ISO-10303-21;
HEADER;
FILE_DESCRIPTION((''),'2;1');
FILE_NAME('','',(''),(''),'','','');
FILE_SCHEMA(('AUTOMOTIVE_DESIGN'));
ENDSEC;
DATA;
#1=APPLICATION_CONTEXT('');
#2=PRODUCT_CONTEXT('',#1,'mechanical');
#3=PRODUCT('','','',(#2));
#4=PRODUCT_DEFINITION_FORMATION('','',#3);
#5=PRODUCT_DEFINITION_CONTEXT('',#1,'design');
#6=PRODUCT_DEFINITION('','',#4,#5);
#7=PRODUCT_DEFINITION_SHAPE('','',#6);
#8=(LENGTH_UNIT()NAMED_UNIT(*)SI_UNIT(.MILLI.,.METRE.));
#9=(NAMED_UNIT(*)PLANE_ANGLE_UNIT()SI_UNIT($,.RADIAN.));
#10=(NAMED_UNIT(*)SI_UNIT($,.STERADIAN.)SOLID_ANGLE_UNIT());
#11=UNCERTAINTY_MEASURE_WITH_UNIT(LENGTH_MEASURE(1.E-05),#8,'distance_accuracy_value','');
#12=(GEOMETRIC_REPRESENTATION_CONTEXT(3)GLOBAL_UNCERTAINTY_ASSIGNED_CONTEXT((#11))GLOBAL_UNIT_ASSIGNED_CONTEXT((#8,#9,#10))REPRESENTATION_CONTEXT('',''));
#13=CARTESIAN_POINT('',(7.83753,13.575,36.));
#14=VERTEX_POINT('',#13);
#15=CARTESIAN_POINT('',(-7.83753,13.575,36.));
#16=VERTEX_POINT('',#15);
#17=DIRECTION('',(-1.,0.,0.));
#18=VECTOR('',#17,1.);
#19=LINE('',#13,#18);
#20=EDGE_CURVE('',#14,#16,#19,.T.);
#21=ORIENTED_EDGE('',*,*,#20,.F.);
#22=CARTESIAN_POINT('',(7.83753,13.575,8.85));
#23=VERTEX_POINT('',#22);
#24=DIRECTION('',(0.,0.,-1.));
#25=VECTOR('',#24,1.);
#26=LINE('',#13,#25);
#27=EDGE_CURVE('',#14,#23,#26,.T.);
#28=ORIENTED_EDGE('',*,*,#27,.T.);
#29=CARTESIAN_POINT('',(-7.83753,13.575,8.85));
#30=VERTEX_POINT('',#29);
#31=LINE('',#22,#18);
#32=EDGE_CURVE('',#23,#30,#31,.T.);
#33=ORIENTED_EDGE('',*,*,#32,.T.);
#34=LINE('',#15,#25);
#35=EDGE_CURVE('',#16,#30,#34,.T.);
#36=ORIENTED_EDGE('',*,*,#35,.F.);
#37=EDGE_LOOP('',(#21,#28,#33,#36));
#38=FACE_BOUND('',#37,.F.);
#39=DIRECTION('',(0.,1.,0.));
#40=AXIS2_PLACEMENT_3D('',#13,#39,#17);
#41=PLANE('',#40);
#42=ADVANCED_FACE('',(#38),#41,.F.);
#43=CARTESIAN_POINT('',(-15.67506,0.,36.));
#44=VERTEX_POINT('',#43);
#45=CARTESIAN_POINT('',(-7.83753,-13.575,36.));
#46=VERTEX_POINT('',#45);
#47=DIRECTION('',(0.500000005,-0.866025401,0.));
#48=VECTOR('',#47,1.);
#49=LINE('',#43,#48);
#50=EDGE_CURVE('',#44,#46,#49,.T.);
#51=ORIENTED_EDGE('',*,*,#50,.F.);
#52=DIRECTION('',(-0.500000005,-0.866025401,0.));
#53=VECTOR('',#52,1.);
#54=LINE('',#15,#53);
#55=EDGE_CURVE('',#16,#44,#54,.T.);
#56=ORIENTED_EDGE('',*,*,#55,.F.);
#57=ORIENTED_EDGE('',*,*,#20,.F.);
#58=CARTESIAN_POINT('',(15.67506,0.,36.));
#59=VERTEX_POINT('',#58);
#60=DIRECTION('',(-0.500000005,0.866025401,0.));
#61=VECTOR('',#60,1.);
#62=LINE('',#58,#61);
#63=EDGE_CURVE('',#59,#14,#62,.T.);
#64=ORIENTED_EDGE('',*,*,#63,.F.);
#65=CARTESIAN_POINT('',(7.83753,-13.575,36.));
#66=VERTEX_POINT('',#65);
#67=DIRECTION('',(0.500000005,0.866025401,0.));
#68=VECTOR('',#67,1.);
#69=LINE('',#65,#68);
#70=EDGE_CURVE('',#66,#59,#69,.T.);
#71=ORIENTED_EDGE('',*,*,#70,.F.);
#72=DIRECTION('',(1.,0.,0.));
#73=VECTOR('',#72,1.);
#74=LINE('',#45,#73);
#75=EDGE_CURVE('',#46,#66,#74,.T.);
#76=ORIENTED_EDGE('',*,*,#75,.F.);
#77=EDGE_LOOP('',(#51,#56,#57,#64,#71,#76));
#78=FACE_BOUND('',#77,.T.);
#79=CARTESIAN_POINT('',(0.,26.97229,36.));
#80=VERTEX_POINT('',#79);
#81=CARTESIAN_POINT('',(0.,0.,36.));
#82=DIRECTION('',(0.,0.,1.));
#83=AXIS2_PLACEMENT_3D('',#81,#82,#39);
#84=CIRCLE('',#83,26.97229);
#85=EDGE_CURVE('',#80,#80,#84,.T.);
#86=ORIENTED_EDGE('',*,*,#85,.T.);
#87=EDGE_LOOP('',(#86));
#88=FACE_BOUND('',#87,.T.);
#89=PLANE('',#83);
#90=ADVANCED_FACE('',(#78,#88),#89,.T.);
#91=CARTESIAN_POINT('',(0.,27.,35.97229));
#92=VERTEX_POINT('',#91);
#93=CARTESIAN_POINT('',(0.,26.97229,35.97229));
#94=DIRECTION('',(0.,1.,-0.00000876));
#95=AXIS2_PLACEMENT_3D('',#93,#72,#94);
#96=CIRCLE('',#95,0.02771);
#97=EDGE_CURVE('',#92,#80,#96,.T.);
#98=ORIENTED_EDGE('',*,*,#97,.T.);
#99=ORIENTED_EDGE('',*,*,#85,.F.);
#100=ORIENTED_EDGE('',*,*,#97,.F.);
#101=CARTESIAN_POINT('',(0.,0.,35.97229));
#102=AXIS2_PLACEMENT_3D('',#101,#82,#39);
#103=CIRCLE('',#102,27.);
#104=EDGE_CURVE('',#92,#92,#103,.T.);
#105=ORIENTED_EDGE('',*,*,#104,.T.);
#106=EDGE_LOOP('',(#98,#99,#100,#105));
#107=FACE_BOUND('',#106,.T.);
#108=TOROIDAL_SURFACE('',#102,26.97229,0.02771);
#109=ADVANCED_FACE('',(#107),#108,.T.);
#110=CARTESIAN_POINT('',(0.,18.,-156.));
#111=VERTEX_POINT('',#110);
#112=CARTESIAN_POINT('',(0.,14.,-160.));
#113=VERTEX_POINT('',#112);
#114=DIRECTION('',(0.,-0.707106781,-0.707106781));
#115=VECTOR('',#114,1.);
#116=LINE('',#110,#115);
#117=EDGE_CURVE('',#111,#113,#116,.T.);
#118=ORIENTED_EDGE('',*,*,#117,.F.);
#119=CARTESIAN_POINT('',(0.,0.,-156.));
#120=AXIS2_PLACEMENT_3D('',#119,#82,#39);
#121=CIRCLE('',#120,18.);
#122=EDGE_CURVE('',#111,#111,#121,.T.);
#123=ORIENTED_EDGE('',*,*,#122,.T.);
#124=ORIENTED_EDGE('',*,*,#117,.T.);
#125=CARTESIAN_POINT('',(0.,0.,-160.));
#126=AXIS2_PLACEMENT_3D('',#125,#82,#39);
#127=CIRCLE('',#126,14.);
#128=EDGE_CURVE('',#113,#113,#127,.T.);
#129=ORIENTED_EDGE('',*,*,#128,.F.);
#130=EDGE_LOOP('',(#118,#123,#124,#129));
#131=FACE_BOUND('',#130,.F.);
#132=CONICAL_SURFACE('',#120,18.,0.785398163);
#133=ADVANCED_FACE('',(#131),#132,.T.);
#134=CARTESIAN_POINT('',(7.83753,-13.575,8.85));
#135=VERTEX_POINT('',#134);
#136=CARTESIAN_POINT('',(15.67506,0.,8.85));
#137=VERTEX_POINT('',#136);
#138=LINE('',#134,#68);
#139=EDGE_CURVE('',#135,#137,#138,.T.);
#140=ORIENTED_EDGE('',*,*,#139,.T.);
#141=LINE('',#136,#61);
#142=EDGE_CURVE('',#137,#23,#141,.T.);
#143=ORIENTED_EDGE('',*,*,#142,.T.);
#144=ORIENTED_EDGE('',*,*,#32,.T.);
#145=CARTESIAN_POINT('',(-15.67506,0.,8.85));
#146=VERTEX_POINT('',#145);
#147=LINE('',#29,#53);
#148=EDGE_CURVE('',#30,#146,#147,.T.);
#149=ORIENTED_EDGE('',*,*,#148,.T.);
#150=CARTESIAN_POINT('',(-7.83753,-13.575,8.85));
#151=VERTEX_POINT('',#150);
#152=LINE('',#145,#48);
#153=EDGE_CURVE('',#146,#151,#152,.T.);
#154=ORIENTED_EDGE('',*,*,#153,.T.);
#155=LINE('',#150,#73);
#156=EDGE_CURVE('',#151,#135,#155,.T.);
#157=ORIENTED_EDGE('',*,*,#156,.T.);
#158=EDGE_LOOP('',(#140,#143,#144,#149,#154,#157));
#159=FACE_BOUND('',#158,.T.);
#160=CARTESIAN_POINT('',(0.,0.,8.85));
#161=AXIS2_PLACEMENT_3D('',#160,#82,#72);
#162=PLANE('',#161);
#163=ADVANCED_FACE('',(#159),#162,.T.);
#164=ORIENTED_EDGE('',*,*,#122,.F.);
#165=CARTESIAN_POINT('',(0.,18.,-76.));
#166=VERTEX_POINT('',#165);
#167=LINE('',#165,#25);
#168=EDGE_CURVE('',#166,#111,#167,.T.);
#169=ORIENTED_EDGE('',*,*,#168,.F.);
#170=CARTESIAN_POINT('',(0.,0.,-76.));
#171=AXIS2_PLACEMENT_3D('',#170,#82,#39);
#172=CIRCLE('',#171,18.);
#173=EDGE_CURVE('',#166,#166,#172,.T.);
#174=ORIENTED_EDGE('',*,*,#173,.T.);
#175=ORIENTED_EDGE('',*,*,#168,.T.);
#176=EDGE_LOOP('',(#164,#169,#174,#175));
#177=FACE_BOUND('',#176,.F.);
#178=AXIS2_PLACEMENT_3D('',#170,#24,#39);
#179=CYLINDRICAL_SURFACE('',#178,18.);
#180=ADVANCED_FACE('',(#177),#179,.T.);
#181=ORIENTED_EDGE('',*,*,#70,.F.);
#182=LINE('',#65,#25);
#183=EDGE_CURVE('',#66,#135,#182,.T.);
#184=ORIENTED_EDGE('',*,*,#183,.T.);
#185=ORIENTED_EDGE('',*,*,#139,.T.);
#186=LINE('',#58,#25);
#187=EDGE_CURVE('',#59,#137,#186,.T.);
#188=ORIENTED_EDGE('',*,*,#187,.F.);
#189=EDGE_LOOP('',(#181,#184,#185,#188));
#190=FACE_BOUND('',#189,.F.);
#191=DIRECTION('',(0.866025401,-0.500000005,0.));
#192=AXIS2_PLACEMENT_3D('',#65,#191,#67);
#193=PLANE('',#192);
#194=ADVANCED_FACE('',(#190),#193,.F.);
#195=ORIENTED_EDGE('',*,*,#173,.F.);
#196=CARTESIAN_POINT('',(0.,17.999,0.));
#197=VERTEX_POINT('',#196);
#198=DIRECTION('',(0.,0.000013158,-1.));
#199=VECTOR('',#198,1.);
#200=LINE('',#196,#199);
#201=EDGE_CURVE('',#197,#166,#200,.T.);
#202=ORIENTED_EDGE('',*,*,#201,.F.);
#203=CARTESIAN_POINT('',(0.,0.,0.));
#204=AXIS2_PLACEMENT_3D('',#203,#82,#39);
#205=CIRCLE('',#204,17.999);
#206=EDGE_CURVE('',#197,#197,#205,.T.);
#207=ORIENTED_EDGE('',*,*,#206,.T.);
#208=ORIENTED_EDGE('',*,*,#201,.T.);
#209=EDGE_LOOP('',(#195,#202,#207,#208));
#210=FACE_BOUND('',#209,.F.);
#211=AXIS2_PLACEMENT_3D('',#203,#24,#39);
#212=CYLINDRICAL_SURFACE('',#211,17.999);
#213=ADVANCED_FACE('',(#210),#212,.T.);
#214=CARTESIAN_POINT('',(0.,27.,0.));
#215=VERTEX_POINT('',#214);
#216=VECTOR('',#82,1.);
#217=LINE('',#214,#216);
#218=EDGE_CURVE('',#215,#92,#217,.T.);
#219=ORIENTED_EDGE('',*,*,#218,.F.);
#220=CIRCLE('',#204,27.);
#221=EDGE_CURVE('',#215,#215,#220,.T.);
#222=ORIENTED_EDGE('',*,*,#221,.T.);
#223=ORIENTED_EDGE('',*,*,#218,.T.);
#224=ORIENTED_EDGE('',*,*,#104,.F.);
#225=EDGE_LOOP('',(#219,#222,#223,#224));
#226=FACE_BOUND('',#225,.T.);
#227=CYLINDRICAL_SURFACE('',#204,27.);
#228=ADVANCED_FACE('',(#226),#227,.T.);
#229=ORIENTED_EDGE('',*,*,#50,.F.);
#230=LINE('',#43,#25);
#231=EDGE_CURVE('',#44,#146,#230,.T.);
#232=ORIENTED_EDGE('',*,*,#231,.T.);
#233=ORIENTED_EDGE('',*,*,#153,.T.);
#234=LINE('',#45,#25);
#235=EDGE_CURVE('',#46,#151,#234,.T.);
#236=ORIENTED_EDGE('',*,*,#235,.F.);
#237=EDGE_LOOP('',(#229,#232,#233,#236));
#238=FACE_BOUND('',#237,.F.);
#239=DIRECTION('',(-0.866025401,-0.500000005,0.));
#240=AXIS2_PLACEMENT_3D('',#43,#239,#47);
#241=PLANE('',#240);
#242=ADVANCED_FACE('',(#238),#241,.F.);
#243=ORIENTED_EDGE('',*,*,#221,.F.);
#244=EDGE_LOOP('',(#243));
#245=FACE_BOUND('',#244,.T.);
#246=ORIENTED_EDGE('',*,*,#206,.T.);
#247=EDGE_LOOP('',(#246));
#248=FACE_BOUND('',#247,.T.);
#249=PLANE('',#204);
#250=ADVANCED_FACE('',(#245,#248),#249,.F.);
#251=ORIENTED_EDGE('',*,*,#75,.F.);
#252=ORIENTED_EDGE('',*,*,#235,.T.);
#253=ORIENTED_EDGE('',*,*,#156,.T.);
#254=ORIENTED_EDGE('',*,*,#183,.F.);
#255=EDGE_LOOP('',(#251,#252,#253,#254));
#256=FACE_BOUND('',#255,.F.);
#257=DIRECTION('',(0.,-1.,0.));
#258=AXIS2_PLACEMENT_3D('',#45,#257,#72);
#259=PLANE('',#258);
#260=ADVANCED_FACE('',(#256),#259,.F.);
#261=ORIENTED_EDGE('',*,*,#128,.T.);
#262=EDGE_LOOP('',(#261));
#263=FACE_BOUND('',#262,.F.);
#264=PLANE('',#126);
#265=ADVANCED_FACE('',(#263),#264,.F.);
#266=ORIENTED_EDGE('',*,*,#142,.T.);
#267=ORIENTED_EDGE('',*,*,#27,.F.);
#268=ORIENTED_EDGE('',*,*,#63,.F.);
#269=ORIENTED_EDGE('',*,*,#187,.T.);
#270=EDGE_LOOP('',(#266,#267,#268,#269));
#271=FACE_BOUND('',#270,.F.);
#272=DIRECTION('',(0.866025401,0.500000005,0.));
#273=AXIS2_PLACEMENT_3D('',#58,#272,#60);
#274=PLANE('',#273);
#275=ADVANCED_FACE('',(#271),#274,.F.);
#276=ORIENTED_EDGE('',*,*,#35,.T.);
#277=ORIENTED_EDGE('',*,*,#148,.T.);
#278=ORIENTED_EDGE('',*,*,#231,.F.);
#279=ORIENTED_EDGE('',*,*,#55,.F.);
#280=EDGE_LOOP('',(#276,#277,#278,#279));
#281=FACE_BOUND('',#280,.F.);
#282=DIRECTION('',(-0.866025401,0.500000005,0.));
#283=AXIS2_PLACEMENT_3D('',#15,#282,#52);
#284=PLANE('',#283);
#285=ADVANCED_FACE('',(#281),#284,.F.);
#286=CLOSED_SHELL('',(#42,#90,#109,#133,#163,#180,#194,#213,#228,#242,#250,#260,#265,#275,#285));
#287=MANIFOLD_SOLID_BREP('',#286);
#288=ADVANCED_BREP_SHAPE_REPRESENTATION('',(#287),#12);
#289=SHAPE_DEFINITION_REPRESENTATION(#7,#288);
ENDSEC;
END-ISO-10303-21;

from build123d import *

# Parameters (mm, degrees)
POCKET_DEPTH = 27.15


with BuildPart() as part:
    # Sketch → Revolve (revolve)
    with BuildSketch(Plane.YZ):
        with BuildLine():
            Line((17.999, 0), (27, 0))
            Line((27, 0), (27, 35.97229))
            ThreePointArc((27, 35.97229), (26.991884, 35.991884), (26.97229, 36))
            Line((26.97229, 36), (0, 36))
            Line((0, -160), (0, 36))
            Line((14, -160), (0, -160))
            Line((18, -156), (14, -160))
            Line((18, -76), (18, -156))
            Line((17.999, 0), (18, -76))
        make_face()
    revolve(axis=Axis((0, 0, 0), (0, 0, 1)))

    # Sketch001 → Pocket (cut)
    with BuildSketch(Plane.XY.offset(36)):
        Polygon((15.67506, 0), (7.83753, 13.575), (-7.83753, 13.575), (-15.67506, 0), (-7.83753, -13.575), (7.83753, -13.575), align=None)
    extrude(amount=-POCKET_DEPTH, mode=Mode.SUBTRACT)


solid = part.part
